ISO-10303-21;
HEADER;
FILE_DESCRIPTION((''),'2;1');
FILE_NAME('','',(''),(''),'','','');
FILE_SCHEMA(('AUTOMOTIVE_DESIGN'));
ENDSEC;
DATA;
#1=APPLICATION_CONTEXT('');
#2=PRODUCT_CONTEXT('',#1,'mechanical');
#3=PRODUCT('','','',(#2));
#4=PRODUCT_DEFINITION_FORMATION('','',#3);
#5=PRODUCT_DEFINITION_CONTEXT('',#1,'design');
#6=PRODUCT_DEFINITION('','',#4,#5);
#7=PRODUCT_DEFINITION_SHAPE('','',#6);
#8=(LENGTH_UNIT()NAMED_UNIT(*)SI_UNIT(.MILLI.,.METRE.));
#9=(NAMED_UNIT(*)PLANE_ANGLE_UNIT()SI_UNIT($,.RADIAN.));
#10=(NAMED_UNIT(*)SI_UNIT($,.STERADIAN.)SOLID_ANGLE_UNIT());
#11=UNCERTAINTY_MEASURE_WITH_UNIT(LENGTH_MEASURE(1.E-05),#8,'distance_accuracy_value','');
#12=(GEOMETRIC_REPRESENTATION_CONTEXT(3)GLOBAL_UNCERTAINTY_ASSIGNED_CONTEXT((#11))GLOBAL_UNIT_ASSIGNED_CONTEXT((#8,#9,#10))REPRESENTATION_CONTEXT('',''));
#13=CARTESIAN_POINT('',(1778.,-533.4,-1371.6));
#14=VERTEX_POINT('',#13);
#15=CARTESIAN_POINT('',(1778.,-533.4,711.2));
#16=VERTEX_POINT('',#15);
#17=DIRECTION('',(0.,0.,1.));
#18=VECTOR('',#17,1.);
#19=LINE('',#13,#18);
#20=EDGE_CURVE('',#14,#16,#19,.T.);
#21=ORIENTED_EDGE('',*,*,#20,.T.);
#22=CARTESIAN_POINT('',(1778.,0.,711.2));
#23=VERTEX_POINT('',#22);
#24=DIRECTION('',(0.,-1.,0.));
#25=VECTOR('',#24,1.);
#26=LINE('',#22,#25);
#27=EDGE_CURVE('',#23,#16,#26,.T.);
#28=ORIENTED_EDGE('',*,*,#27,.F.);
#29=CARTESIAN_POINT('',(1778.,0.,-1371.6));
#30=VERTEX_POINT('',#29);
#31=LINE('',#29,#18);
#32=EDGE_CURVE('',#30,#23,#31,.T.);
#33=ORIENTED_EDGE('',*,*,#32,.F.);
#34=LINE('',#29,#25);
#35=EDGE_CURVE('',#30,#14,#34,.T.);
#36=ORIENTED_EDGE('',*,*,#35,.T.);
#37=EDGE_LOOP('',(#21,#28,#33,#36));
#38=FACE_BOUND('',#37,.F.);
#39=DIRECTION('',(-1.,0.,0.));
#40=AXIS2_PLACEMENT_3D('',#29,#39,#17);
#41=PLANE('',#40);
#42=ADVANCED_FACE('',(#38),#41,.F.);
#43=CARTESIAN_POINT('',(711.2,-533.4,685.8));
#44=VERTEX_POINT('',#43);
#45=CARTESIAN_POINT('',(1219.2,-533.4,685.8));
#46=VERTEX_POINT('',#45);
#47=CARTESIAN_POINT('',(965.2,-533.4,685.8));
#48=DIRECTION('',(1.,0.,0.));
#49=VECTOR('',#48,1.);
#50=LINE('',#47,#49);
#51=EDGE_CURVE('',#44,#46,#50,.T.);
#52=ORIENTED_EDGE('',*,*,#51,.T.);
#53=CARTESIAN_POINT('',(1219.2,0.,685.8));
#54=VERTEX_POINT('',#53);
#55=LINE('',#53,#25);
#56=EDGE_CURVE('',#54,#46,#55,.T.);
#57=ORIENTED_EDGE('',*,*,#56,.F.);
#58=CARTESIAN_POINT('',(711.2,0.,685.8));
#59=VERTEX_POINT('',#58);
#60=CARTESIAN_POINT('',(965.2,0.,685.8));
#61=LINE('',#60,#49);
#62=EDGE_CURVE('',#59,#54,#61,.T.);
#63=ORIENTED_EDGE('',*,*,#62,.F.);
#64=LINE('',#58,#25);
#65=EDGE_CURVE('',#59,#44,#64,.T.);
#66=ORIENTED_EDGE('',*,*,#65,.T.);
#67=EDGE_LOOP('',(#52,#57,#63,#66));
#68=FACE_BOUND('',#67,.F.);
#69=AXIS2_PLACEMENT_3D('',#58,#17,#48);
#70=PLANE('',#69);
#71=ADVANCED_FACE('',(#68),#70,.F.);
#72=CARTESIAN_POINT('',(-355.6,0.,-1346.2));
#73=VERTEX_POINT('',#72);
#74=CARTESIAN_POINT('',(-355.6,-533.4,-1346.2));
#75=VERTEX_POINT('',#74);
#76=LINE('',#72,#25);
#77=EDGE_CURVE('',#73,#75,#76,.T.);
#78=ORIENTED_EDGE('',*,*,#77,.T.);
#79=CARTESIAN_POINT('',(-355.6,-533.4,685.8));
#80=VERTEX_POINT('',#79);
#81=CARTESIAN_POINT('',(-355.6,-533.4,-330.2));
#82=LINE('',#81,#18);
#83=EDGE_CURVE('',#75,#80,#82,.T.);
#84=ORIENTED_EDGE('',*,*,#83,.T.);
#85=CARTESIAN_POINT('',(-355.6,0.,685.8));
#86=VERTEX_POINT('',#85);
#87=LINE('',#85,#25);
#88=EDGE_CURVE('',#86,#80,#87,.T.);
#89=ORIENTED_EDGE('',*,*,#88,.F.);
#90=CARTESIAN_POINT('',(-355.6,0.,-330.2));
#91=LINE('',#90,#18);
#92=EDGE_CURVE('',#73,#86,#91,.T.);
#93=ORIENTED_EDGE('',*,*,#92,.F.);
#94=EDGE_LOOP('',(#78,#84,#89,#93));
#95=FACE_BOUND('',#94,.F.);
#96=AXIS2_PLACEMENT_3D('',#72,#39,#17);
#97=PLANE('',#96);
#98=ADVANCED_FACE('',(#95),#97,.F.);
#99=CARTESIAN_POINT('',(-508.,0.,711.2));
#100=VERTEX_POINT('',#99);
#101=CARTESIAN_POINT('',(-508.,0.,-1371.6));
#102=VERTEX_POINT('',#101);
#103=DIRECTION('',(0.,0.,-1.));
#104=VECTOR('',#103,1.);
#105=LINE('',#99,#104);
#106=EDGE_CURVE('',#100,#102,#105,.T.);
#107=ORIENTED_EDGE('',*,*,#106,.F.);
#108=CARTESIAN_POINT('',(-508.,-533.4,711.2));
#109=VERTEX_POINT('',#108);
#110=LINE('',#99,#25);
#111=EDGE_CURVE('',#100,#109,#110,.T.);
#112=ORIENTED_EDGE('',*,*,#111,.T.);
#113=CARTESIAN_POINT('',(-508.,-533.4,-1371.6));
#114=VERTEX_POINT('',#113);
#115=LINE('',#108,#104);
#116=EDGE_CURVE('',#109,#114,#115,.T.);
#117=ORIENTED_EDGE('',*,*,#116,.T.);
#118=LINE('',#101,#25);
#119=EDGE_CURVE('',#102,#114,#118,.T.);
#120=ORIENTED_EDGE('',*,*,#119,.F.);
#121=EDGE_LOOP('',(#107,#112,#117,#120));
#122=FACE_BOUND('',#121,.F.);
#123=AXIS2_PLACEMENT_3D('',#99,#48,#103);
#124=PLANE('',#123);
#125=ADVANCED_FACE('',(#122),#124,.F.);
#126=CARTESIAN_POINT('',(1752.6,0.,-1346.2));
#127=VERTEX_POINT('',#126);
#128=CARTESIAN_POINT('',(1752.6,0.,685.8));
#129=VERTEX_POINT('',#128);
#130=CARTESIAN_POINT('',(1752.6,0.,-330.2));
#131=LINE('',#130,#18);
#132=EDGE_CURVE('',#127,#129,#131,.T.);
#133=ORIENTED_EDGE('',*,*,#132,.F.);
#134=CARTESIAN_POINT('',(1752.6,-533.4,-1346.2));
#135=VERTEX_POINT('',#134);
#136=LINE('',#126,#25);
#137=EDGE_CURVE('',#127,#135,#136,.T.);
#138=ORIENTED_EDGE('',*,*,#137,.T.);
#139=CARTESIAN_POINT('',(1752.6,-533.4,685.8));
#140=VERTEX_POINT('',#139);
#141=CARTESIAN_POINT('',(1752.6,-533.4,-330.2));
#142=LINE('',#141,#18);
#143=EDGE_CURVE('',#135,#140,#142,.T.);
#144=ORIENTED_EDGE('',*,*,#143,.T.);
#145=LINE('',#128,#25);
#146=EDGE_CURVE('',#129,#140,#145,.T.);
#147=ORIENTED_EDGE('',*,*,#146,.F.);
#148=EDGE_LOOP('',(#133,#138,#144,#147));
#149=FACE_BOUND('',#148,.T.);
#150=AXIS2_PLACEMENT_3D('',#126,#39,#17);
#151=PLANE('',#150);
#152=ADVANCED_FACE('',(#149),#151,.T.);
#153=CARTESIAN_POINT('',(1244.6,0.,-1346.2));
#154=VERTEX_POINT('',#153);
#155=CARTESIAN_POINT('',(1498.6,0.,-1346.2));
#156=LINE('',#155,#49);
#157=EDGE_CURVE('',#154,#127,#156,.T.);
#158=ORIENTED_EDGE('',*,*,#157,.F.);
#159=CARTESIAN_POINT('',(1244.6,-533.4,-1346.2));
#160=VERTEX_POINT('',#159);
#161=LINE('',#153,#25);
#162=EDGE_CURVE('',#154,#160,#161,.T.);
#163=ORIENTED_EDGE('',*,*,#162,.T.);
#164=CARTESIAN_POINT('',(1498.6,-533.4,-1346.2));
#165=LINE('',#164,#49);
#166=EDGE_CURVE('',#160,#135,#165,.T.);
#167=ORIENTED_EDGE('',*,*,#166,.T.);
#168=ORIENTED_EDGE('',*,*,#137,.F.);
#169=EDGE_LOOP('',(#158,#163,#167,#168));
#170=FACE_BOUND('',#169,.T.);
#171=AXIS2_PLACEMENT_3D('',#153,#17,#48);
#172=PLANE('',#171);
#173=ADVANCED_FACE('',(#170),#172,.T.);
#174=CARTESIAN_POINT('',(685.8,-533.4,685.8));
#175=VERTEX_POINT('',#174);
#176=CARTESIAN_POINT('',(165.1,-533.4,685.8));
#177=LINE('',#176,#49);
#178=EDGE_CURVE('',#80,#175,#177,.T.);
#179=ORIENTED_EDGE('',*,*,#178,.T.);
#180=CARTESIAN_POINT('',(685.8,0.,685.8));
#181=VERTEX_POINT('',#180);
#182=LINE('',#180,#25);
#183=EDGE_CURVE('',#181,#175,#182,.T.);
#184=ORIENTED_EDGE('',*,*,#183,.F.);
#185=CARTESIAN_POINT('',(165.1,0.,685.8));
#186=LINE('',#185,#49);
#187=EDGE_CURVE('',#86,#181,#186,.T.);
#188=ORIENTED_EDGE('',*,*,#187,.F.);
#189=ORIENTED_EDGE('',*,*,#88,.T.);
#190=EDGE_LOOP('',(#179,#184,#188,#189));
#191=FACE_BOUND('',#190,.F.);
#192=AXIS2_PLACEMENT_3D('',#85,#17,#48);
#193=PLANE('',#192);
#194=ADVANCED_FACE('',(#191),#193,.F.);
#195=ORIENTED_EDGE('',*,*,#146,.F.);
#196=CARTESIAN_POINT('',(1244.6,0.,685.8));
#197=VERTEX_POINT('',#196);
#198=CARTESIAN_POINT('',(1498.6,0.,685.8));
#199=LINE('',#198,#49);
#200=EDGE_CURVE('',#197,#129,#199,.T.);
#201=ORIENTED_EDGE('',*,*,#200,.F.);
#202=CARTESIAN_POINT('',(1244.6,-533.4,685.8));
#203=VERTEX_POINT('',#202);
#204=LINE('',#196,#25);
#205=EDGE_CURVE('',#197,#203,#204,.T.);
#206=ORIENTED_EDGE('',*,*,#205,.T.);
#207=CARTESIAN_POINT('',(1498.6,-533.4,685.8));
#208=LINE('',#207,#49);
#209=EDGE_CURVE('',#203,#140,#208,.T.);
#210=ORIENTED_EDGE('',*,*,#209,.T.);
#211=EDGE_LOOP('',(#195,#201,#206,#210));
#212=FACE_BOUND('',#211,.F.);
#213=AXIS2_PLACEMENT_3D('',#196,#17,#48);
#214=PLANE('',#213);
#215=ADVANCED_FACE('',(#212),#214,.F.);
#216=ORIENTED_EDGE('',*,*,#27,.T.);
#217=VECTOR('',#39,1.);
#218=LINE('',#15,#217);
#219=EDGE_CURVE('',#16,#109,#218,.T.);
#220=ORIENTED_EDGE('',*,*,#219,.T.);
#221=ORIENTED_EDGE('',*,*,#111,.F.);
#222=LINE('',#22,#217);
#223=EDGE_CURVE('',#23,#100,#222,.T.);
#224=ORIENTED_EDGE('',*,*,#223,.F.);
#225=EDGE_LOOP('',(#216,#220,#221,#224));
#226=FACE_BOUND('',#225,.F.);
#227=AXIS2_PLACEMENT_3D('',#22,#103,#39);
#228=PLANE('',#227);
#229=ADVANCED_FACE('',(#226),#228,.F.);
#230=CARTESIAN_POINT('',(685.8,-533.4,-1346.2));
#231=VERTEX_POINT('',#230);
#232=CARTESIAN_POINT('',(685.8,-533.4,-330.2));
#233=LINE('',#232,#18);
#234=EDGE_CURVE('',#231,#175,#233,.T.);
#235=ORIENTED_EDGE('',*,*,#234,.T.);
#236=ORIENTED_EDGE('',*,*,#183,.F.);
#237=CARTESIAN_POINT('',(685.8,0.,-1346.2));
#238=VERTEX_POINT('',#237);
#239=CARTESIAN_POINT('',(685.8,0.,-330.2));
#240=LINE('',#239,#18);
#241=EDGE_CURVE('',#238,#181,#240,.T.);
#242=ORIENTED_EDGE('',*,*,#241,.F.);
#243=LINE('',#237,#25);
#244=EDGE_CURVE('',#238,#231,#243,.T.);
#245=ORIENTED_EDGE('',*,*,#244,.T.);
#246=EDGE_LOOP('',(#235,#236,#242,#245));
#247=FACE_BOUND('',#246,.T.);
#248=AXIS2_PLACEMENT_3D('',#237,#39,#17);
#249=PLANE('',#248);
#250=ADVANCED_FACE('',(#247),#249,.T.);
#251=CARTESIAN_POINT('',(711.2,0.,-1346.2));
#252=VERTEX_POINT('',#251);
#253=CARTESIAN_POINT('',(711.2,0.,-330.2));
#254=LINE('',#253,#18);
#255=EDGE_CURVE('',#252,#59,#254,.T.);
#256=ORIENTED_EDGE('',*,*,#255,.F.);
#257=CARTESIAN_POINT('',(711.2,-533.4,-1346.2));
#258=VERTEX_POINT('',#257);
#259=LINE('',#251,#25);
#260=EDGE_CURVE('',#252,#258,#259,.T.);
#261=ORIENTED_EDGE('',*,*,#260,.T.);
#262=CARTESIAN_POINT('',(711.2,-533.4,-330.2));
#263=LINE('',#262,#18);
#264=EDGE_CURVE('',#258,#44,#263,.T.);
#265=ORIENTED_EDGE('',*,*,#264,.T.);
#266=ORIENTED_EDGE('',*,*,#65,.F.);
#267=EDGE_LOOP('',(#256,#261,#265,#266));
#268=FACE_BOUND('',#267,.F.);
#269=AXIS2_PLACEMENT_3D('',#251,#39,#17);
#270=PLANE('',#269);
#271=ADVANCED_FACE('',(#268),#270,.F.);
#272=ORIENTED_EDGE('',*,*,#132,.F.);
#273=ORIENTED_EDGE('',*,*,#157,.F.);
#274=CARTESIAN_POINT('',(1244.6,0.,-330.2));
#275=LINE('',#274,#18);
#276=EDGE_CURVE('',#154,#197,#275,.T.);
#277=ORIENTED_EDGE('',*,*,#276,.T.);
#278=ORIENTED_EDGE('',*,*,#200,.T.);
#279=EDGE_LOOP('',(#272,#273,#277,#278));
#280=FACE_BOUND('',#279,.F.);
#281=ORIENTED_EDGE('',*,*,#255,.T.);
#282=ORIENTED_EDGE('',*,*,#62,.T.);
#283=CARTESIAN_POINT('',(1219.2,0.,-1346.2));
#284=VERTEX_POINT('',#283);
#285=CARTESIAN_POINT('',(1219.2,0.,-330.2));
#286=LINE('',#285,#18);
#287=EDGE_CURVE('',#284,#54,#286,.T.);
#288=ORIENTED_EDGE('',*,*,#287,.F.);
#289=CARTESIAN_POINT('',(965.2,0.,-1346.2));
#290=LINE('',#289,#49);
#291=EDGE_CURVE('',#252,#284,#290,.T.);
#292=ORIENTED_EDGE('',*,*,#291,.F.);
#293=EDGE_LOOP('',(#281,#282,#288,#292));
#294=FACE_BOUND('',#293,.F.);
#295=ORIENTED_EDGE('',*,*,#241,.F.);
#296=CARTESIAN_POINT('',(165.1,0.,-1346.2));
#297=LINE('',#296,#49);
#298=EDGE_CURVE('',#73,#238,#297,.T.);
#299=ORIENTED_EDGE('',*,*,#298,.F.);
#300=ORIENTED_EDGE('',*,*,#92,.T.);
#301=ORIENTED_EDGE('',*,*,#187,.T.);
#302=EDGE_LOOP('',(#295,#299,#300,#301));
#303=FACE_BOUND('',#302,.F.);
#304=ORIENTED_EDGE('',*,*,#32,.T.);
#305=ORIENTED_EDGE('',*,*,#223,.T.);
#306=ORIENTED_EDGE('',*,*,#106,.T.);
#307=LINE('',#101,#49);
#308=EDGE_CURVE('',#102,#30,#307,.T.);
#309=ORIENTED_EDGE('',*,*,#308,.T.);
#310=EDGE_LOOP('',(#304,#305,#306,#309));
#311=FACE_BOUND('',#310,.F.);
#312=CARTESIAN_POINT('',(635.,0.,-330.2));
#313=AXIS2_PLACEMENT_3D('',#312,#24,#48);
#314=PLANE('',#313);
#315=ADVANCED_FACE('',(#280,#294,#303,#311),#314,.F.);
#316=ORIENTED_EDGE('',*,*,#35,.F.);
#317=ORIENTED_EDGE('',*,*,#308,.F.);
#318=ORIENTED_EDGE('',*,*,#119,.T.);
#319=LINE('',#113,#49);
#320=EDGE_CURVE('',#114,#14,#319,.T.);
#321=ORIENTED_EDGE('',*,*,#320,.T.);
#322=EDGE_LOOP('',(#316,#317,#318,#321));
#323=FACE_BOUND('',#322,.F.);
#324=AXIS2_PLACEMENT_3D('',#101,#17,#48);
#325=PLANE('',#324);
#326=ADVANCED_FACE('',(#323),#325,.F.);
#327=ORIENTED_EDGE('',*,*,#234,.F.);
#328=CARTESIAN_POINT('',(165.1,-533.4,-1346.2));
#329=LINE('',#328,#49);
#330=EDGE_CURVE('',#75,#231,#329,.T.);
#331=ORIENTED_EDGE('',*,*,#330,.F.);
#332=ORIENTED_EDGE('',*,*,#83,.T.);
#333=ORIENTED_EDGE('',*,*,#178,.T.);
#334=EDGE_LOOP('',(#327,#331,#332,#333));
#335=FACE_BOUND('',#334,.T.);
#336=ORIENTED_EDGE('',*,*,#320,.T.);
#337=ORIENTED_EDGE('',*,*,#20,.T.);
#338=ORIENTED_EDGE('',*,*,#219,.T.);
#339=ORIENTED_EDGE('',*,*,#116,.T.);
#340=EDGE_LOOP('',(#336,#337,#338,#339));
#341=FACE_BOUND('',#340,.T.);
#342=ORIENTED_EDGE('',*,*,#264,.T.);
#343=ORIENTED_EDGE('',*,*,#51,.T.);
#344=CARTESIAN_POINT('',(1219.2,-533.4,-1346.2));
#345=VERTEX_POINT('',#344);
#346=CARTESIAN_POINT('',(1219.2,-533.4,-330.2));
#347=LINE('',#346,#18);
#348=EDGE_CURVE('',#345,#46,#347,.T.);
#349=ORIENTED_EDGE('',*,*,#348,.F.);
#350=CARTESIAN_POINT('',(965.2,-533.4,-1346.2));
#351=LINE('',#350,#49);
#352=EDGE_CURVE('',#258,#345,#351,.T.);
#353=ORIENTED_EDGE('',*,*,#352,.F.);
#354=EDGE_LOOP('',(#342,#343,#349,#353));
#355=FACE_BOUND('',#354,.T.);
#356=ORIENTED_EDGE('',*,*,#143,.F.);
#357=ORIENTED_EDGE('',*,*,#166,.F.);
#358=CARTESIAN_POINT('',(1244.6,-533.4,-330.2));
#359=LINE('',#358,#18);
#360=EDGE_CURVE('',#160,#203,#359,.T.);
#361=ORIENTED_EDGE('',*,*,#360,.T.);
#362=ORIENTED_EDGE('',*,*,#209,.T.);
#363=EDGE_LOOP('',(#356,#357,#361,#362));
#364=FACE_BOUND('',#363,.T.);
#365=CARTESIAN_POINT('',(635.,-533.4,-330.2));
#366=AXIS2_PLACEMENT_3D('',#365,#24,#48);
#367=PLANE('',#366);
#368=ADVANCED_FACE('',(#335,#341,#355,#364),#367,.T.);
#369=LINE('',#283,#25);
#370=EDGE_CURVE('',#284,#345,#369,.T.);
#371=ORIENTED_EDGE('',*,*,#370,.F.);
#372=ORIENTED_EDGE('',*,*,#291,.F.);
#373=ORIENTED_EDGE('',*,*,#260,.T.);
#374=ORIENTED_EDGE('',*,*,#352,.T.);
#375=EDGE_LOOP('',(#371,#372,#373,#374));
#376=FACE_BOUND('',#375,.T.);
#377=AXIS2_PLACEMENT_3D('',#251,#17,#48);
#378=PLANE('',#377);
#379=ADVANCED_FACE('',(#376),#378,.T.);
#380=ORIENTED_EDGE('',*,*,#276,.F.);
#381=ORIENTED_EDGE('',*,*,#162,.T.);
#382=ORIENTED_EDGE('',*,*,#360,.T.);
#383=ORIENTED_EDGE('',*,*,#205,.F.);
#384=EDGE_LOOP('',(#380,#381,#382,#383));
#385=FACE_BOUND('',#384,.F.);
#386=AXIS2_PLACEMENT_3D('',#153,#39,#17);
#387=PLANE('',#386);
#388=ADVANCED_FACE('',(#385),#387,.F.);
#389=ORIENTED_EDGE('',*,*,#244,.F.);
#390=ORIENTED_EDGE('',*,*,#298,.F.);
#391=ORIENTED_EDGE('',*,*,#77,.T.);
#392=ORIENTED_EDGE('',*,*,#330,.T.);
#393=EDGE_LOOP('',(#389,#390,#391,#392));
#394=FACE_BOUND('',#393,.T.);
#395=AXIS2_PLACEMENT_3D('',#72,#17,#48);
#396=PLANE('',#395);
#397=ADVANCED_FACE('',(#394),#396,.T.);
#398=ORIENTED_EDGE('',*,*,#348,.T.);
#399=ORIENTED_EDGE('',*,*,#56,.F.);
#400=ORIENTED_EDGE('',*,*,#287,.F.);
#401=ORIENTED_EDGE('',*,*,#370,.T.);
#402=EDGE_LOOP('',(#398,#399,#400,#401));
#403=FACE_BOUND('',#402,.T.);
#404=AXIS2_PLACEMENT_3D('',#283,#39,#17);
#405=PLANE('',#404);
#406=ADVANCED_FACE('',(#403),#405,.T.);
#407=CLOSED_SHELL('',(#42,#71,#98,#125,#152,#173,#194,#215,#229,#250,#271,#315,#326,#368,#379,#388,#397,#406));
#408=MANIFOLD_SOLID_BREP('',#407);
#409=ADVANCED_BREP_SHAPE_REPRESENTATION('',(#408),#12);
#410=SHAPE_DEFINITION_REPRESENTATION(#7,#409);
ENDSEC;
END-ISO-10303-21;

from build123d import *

# Parameters (mm, degrees)
F0_W     = 1041.4
F0_H     = 2032
F0_W_2   = 508
F1_DEPTH = 533.4


with BuildPart() as f1:
    # F0 (on Front) → F1 (new body)
    with BuildSketch(Plane.XZ):
        Polygon((-508, -1371.6), (1778, -1371.6), (1778, 711.2), (-508, 711.2), (-508, -152.4), align=None)
        with Locations((165.1, -330.2)):
            Rectangle(F0_W, F0_H, mode=Mode.SUBTRACT)
        with Locations((965.2, -330.2)):
            Rectangle(F0_W_2, F0_H, mode=Mode.SUBTRACT)
        with Locations((1498.6, -330.2)):
            Rectangle(F0_W_2, F0_H, mode=Mode.SUBTRACT)
    extrude(amount=F1_DEPTH)


solid = f1.part
